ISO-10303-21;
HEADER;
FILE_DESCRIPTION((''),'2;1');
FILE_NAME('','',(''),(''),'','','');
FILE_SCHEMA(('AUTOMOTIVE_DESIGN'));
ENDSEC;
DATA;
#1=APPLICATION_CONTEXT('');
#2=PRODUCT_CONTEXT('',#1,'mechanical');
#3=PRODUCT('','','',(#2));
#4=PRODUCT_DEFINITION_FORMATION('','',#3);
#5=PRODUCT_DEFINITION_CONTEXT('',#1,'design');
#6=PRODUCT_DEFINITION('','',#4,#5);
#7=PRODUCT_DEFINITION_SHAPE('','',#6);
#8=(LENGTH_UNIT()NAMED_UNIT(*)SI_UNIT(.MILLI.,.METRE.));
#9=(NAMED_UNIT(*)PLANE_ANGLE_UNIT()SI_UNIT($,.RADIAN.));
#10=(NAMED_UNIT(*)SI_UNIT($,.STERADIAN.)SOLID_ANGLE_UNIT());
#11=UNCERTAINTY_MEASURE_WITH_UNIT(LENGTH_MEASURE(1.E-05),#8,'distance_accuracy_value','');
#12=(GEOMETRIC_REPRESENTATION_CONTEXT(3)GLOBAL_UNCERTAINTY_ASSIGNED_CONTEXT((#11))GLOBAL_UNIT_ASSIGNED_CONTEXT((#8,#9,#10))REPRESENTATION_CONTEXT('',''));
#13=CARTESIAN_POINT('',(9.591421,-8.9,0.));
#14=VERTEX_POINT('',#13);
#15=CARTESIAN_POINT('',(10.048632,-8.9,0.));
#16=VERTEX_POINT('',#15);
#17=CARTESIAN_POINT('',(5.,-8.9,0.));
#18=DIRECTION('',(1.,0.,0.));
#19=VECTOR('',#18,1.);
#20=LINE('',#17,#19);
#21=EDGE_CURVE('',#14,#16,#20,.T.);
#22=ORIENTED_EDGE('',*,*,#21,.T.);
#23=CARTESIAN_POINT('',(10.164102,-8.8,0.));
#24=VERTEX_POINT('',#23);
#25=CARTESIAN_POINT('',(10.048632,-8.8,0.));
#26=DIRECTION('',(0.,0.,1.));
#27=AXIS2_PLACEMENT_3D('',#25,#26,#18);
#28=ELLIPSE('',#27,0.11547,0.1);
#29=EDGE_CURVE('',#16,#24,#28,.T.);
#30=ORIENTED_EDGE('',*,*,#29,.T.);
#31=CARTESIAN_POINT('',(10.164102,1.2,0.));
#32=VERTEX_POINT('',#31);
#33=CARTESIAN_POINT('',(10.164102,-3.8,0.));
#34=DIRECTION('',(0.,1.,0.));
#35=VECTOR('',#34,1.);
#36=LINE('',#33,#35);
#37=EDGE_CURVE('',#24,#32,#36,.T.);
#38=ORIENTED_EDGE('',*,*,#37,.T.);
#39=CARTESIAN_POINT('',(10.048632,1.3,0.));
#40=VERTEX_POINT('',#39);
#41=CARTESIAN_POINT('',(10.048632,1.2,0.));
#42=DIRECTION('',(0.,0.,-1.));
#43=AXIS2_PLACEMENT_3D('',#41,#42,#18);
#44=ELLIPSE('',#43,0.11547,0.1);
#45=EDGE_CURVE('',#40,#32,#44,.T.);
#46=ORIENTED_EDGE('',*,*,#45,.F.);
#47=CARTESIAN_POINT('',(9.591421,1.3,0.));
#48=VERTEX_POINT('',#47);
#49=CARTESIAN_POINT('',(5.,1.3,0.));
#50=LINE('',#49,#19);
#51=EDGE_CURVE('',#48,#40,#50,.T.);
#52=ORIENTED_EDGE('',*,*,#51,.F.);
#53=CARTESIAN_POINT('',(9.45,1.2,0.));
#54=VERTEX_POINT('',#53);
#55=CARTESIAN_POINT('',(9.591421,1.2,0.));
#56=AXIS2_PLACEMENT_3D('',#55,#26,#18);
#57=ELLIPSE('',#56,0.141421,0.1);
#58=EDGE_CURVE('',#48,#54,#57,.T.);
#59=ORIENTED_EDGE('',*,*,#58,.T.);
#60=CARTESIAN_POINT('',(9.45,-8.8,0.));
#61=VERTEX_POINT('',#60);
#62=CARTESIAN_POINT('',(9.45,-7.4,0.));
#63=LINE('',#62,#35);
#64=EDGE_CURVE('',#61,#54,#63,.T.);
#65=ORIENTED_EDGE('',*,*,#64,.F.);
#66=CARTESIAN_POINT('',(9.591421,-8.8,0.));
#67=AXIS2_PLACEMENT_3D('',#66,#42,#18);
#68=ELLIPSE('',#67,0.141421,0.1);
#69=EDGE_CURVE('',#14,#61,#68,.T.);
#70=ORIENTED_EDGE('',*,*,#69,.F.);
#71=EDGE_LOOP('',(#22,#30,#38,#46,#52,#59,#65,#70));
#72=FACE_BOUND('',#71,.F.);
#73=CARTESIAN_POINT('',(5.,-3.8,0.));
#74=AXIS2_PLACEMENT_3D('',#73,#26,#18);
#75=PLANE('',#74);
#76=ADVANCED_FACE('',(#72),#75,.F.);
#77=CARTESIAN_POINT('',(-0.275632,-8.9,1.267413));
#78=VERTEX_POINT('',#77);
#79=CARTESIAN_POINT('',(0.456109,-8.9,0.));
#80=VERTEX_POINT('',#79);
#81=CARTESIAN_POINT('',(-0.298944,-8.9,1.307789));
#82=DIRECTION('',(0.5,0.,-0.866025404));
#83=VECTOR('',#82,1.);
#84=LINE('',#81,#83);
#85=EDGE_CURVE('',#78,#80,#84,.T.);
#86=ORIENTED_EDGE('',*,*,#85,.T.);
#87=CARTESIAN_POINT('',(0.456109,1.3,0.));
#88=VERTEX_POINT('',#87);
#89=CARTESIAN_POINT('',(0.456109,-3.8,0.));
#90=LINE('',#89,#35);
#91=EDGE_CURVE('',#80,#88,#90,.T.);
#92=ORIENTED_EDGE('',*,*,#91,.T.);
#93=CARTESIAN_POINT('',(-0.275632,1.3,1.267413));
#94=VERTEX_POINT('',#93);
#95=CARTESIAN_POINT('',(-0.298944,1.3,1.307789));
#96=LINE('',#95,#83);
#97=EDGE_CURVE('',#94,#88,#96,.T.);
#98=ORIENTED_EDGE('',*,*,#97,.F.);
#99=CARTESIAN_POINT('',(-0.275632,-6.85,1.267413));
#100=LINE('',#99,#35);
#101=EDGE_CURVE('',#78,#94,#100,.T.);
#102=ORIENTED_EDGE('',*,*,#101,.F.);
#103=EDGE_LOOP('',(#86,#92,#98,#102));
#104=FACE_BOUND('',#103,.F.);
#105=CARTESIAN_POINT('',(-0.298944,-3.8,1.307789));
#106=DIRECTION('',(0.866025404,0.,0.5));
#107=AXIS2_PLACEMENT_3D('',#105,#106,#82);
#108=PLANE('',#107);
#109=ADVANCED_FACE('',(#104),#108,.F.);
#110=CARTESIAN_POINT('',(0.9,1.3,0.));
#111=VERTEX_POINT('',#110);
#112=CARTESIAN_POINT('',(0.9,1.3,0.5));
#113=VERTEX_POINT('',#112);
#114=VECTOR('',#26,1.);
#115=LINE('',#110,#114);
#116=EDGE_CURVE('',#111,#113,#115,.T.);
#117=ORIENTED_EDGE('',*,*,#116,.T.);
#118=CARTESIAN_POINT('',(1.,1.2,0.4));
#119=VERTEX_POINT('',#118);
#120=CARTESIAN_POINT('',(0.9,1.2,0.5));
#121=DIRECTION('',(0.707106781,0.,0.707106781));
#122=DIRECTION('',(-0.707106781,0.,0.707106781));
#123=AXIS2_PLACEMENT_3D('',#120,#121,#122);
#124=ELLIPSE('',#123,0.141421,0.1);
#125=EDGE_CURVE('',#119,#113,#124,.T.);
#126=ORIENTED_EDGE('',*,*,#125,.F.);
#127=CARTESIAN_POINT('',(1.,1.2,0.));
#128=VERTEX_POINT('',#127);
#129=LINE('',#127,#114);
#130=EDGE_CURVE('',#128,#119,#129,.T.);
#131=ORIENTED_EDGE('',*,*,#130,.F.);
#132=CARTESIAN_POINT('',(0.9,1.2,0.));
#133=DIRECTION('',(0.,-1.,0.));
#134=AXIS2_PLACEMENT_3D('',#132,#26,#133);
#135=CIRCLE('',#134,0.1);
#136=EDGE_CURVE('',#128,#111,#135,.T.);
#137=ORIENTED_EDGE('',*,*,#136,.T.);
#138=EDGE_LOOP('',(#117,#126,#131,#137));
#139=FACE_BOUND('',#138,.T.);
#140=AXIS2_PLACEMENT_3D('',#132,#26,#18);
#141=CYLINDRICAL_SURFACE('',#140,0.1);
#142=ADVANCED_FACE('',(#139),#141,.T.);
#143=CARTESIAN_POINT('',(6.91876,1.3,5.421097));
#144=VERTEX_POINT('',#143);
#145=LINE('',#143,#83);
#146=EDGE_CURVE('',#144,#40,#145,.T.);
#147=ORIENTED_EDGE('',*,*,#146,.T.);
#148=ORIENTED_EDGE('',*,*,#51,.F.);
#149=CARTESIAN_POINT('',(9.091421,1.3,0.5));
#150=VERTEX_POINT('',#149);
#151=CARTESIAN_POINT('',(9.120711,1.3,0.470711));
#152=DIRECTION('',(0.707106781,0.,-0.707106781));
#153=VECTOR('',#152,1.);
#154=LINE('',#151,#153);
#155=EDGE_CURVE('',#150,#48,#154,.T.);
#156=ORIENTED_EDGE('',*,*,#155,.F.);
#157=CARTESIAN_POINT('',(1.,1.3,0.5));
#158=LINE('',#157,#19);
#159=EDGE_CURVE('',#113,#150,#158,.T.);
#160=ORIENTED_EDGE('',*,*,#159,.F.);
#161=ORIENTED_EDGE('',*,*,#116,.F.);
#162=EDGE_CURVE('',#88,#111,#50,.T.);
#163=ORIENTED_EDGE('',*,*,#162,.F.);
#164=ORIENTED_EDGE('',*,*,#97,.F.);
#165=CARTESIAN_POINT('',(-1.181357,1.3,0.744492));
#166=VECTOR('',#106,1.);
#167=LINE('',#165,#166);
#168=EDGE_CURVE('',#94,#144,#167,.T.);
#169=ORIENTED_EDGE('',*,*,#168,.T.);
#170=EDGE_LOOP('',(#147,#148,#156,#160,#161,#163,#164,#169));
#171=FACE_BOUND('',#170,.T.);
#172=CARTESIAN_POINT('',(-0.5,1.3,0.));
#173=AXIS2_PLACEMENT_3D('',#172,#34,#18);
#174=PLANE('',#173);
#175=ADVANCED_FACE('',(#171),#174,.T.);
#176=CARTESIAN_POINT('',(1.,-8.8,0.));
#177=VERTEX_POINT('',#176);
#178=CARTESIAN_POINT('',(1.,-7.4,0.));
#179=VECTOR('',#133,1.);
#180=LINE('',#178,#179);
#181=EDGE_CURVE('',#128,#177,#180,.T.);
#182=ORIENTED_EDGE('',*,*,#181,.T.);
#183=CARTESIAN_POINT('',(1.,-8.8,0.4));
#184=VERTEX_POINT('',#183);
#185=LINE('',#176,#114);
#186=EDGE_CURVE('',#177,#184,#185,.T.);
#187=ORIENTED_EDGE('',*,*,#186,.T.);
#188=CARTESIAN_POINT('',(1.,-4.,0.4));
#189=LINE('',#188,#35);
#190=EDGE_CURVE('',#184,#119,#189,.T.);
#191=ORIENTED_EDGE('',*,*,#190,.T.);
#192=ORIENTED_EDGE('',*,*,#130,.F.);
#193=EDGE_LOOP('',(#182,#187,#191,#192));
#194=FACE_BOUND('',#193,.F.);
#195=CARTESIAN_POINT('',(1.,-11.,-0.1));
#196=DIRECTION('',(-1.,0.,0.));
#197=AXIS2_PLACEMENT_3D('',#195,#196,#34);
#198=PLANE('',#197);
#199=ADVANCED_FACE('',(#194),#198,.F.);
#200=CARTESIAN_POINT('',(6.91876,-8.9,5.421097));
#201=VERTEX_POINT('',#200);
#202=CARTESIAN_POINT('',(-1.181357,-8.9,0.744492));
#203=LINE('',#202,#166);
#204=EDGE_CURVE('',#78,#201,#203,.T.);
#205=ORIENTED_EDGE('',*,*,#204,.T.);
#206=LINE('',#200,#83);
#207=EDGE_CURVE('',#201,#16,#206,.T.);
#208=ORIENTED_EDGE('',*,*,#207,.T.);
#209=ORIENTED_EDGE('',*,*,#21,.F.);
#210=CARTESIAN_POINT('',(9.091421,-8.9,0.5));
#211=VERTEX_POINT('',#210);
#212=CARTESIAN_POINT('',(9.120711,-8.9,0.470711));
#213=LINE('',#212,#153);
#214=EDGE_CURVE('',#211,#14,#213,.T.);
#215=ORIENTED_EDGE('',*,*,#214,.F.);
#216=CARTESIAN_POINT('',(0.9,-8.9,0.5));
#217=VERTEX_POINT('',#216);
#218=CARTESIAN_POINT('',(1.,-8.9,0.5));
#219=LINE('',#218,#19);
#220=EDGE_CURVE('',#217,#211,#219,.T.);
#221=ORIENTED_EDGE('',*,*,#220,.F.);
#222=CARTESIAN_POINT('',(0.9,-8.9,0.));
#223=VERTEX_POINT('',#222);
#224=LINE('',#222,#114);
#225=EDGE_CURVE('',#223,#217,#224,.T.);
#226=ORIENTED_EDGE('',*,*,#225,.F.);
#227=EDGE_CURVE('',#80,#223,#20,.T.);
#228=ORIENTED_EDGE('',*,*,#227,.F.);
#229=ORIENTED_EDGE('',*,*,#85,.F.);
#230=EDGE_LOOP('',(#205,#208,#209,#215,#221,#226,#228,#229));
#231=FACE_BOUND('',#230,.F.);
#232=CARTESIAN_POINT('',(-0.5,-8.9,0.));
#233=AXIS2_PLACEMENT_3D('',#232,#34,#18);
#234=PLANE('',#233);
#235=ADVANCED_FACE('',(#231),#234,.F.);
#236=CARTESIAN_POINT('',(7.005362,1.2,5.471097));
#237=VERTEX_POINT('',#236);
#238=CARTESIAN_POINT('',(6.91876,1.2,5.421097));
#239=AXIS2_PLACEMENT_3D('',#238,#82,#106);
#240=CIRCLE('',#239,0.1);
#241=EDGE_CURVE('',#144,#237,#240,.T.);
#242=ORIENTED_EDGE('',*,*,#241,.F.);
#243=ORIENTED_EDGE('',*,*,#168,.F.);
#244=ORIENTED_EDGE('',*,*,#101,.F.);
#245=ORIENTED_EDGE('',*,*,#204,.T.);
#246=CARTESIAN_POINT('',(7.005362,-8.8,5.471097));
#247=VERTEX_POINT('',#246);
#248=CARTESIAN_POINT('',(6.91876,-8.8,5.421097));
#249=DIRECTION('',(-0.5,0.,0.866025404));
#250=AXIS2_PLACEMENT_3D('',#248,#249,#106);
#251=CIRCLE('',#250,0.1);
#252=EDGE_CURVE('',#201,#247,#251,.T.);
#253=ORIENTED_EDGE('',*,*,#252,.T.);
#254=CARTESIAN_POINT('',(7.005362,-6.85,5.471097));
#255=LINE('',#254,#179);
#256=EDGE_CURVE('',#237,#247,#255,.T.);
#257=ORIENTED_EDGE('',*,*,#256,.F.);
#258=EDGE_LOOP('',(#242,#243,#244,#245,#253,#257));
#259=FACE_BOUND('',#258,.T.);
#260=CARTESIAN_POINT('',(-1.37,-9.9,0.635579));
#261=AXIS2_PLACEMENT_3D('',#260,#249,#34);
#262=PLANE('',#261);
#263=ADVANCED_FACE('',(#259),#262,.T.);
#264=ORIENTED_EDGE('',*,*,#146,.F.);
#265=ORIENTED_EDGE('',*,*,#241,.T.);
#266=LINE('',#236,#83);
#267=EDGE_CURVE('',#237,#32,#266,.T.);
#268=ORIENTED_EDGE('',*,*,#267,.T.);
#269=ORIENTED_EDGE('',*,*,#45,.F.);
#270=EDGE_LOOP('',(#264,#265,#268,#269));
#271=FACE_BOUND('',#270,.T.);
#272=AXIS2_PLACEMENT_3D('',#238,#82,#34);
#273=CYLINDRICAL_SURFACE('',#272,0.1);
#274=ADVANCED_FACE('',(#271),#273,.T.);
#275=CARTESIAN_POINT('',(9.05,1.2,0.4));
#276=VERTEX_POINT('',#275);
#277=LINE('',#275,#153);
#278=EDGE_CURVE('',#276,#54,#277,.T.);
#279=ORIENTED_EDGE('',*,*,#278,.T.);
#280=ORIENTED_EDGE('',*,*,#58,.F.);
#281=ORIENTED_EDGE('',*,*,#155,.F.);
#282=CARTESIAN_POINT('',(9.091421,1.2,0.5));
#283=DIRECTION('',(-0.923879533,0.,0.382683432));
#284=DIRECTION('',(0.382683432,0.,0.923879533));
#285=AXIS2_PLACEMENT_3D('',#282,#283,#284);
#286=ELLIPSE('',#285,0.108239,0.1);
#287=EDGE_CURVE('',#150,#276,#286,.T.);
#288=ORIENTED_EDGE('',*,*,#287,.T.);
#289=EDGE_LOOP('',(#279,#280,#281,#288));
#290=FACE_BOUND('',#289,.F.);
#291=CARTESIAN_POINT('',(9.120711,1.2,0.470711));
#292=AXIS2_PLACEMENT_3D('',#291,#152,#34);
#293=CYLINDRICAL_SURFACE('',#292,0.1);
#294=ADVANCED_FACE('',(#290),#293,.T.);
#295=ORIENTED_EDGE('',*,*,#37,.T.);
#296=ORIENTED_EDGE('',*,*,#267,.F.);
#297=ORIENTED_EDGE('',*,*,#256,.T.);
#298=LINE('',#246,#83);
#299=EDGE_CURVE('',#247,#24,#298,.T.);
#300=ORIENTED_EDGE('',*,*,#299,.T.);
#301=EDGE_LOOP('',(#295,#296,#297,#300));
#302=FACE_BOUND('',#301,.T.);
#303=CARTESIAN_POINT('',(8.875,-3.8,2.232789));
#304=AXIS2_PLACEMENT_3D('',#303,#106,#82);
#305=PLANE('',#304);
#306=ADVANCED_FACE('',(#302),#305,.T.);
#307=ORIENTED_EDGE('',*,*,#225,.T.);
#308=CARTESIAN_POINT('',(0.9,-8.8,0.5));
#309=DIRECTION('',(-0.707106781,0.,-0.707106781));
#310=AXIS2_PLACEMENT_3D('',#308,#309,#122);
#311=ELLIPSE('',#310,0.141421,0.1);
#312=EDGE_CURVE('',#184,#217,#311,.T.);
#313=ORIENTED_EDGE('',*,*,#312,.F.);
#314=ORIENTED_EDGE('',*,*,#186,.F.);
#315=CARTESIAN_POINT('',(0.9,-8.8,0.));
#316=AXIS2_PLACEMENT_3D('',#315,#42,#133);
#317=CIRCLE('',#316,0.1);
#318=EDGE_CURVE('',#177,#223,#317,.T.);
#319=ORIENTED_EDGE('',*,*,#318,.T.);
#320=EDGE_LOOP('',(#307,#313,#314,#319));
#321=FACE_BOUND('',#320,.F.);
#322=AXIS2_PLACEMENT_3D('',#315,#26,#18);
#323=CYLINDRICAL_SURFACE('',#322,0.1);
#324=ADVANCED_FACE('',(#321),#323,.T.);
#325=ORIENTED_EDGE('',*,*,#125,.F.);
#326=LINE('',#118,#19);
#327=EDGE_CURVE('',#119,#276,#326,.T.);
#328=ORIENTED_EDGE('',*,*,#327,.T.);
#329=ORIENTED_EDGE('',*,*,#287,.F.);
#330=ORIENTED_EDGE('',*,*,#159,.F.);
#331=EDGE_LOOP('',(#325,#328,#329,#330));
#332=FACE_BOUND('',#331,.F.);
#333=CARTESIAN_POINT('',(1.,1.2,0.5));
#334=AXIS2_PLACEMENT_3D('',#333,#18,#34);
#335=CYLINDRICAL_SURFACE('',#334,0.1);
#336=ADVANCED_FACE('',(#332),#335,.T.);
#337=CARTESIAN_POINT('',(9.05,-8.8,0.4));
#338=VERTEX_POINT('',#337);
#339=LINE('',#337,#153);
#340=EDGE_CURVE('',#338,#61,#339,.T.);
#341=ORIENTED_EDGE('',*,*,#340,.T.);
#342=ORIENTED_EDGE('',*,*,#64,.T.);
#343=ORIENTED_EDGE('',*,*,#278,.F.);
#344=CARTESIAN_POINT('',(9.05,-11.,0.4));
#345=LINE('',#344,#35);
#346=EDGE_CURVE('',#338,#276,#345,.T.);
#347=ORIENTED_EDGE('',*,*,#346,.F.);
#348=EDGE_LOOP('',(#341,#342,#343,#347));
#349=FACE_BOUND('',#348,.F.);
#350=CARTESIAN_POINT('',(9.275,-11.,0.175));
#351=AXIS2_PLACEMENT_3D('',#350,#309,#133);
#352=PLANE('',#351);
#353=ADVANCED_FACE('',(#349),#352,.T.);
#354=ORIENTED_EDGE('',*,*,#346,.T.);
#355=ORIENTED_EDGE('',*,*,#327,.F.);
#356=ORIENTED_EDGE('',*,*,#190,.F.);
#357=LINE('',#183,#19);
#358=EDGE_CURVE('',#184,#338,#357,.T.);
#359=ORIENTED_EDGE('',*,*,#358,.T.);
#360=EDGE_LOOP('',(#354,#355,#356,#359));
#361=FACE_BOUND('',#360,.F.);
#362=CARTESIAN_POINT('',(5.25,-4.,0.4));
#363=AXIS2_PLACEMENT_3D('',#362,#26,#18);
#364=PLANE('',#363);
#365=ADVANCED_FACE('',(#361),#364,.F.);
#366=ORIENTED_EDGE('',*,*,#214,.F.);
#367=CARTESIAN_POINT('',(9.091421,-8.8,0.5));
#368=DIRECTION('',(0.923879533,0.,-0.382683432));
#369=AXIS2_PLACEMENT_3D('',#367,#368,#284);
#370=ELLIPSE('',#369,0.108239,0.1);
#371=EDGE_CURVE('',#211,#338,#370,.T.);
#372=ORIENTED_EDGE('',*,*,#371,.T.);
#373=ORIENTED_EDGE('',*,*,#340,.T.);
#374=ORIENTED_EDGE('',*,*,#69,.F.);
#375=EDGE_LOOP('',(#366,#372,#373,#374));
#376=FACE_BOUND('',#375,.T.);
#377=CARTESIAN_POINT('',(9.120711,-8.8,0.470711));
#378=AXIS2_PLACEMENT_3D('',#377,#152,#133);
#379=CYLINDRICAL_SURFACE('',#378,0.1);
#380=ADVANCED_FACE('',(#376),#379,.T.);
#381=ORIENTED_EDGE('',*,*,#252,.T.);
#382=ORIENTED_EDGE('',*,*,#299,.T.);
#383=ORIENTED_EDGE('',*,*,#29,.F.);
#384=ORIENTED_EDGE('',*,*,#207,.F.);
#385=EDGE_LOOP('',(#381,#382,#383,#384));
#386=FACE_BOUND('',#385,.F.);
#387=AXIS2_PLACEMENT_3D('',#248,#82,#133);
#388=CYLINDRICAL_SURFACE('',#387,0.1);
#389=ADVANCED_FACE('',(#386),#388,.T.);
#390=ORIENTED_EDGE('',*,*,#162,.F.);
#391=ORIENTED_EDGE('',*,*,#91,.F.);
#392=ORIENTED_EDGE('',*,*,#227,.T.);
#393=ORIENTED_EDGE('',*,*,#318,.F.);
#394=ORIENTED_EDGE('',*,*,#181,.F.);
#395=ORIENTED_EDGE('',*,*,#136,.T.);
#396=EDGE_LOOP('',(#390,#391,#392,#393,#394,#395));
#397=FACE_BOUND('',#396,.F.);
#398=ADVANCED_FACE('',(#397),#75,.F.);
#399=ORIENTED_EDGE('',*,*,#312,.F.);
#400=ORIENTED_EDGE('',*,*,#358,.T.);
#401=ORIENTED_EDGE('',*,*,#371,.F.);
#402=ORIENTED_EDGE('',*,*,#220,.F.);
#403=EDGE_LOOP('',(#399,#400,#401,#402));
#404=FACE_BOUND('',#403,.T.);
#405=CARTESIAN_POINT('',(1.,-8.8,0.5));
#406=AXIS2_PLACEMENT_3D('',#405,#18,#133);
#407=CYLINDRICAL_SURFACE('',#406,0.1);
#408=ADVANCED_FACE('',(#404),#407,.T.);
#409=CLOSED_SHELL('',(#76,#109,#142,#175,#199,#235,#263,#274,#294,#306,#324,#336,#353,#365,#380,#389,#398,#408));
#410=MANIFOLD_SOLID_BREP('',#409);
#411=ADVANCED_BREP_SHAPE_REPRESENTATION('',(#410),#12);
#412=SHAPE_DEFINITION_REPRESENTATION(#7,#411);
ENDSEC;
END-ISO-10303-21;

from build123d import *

# Parameters (mm, degrees)
BOX019_W           = 8.5
BOX019_H           = 14
BOX019_DEPTH       = 0.5
CHAMFER_SIZE       = 0.45
BOX014_W           = 8.7
BOX014_H           = 10.2
BOX014_DEPTH       = 6.15
BOX014_PITCH_ANGLE = 60
BOX013_W           = 8.7
BOX013_H           = 12.2
BOX013_DEPTH       = 11.15
BOX013_PITCH_ANGLE = 60
BOX012_W           = 8.7
BOX012_H           = 10.2
BOX012_DEPTH       = 6.15
BOX012_PITCH_ANGLE = 60
BOX011_W           = 11
BOX011_H           = 10.2
BOX011_DEPTH       = 6.15
FILLET002_R        = 0.1
FILLET003_R        = 0.1


with BuildPart() as chamfer_body:
    # Box019 → Box019 (new body)
    with BuildSketch(Plane(origin=(1, -11, -0.1), x_dir=(1, 0, 0), z_dir=(0, 0, 1))):
        with Locations((4.25, 7)):
            Rectangle(BOX019_W, BOX019_H)
    extrude(amount=BOX019_DEPTH)

    # Chamfer
    chamfer_edges = [chamfer_body.edges().sort_by_distance(p)[0] for p in [
        (9.5, -4, 0.4),
    ]]
    chamfer(chamfer_edges, length=CHAMFER_SIZE)


with BuildPart() as kub014:
    # Box014 → Box014 (new body)
    with BuildSketch(Plane.XY):
        with Locations((4.35, 5.1)):
            Rectangle(BOX014_W, BOX014_H)
    extrude(amount=BOX014_DEPTH)


with BuildPart() as kub014_1:
    # Box014 pitch: moved
    add(kub014.part.rotate(Axis((0, 0, 0), (0, 1, 0)), BOX014_PITCH_ANGLE))


with BuildPart() as kub014_2:
    # Box014 placement: moved
    add(kub014_1.part.moved(Location((-7.8, -8.9, 2))))


with BuildPart() as kub013:
    # Box013 → Box013 (new body)
    with BuildSketch(Plane.XY):
        with Locations((4.35, 6.1)):
            Rectangle(BOX013_W, BOX013_H)
    extrude(amount=BOX013_DEPTH)


with BuildPart() as kub013_1:
    # Box013 pitch: moved
    add(kub013.part.rotate(Axis((0, 0, 0), (0, 1, 0)), BOX013_PITCH_ANGLE))


with BuildPart() as kub013_2:
    # Box013 placement: moved
    add(kub013_1.part.moved(Location((-5.72, -9.9, 8.17))))


with BuildPart() as kub012:
    # Box012 → Box012 (new body)
    with BuildSketch(Plane.XY):
        with Locations((4.35, 5.1)):
            Rectangle(BOX012_W, BOX012_H)
    extrude(amount=BOX012_DEPTH)


with BuildPart() as kub012_1:
    # Box012 pitch: moved
    add(kub012.part.rotate(Axis((0, 0, 0), (0, 1, 0)), BOX012_PITCH_ANGLE))


with BuildPart() as kub012_2:
    # Box012 placement: moved
    add(kub012_1.part.moved(Location((6.7, -8.9, 6))))


with BuildPart() as fillet003:
    # Box011 → Box011 (new body)
    with BuildSketch(Plane(origin=(-0.5, -8.9, 0), x_dir=(1, 0, 0), z_dir=(0, 0, 1))):
        with Locations((5.5, 5.1)):
            Rectangle(BOX011_W, BOX011_H)
    extrude(amount=BOX011_DEPTH)

    # Cut007: cut Kub012
    add(kub012_2.part, mode=Mode.SUBTRACT)

    # Cut008: cut Kub013
    add(kub013_2.part, mode=Mode.SUBTRACT)

    # Cut009: cut Kub014
    add(kub014_2.part, mode=Mode.SUBTRACT)

    # Cut010: cut Chamfer body
    add(chamfer_body.part, mode=Mode.SUBTRACT)

    # Fillet002
    fillet002_edges = [fillet003.edges().sort_by_distance(p)[0] for p in [
        (1, -8.9, 0.2),
        (5.025, -8.9, 0.4),
        (9.25, -8.9, 0.2),
    ]]
    fillet(fillet002_edges, radius=FILLET002_R)

    # Fillet003
    fillet003_edges = [fillet003.edges().sort_by_distance(p)[0] for p in [
        (8.584732, -8.9, 2.735548),
        (8.584732, 1.3, 2.735548),
        (1, 1.3, 0.2),
        (5.025, 1.3, 0.4),
        (9.25, 1.3, 0.2),
    ]]
    fillet(fillet003_edges, radius=FILLET003_R)


solid = fillet003.part
